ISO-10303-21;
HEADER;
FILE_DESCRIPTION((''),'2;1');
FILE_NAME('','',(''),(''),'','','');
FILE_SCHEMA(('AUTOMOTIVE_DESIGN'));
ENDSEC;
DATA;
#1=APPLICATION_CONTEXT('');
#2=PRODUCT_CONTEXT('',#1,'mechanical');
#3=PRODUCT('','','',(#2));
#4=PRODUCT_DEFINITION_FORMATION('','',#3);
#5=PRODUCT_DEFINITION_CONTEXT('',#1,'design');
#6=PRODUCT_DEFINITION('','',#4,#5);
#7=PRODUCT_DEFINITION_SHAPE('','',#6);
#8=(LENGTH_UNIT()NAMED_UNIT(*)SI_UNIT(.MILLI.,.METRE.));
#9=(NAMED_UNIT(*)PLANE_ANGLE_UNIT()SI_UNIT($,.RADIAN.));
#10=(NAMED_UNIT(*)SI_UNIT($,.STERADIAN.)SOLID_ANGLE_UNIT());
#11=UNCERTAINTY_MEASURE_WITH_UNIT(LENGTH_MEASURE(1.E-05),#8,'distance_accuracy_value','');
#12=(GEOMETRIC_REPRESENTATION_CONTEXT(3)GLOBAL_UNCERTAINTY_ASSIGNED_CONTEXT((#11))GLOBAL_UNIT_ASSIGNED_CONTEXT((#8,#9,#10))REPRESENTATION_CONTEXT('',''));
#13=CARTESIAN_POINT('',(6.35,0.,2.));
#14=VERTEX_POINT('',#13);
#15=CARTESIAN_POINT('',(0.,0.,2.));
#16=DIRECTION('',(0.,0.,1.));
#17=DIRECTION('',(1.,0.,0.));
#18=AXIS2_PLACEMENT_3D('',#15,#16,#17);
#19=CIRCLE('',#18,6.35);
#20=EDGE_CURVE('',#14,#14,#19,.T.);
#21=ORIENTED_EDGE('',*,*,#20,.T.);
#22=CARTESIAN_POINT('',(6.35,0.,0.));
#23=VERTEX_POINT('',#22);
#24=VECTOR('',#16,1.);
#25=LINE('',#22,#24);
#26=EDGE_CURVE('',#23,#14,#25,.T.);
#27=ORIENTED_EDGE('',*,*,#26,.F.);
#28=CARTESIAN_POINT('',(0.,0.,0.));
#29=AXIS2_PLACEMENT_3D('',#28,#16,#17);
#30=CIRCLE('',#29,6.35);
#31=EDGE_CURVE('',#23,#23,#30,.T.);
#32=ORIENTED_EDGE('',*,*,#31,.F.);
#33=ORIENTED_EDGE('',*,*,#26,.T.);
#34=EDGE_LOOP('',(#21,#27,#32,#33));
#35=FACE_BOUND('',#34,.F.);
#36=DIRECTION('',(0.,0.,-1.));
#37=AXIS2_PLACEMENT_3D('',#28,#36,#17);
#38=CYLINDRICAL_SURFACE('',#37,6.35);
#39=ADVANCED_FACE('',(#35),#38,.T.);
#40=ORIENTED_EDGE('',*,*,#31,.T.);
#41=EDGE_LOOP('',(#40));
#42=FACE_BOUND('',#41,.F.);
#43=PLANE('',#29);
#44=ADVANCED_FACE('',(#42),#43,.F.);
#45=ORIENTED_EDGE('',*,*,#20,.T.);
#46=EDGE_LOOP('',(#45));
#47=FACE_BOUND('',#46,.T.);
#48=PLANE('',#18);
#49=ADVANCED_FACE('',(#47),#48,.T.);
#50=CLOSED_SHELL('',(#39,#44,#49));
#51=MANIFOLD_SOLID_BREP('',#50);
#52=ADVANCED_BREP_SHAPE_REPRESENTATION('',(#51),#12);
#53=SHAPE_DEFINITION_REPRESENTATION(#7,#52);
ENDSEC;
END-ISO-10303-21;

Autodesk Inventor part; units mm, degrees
ref_plane "YZ Plane" through (0, 0, 0) normal (1, 0, 0) x (0, 1, 0)
ref_plane "XZ Plane" through (0, 0, 0) normal (0, 1, 0) x (-1, 0, 0)
ref_plane "XY Plane" through (0, 0, 0) normal (0, 0, 1) x (1, 0, 0)
sketch "Skizze2" plane through (0, 0, 0) normal (0, 0, 1) x (1, 0, 0)
  circle A0 centre (0, 0) radius 6.35
  dimension "d3" = 12.7
extrude "Extrusion2" add sketch "Skizze2" along normal blind 2
properties part number "Fenster Kamera" material "Glas"
